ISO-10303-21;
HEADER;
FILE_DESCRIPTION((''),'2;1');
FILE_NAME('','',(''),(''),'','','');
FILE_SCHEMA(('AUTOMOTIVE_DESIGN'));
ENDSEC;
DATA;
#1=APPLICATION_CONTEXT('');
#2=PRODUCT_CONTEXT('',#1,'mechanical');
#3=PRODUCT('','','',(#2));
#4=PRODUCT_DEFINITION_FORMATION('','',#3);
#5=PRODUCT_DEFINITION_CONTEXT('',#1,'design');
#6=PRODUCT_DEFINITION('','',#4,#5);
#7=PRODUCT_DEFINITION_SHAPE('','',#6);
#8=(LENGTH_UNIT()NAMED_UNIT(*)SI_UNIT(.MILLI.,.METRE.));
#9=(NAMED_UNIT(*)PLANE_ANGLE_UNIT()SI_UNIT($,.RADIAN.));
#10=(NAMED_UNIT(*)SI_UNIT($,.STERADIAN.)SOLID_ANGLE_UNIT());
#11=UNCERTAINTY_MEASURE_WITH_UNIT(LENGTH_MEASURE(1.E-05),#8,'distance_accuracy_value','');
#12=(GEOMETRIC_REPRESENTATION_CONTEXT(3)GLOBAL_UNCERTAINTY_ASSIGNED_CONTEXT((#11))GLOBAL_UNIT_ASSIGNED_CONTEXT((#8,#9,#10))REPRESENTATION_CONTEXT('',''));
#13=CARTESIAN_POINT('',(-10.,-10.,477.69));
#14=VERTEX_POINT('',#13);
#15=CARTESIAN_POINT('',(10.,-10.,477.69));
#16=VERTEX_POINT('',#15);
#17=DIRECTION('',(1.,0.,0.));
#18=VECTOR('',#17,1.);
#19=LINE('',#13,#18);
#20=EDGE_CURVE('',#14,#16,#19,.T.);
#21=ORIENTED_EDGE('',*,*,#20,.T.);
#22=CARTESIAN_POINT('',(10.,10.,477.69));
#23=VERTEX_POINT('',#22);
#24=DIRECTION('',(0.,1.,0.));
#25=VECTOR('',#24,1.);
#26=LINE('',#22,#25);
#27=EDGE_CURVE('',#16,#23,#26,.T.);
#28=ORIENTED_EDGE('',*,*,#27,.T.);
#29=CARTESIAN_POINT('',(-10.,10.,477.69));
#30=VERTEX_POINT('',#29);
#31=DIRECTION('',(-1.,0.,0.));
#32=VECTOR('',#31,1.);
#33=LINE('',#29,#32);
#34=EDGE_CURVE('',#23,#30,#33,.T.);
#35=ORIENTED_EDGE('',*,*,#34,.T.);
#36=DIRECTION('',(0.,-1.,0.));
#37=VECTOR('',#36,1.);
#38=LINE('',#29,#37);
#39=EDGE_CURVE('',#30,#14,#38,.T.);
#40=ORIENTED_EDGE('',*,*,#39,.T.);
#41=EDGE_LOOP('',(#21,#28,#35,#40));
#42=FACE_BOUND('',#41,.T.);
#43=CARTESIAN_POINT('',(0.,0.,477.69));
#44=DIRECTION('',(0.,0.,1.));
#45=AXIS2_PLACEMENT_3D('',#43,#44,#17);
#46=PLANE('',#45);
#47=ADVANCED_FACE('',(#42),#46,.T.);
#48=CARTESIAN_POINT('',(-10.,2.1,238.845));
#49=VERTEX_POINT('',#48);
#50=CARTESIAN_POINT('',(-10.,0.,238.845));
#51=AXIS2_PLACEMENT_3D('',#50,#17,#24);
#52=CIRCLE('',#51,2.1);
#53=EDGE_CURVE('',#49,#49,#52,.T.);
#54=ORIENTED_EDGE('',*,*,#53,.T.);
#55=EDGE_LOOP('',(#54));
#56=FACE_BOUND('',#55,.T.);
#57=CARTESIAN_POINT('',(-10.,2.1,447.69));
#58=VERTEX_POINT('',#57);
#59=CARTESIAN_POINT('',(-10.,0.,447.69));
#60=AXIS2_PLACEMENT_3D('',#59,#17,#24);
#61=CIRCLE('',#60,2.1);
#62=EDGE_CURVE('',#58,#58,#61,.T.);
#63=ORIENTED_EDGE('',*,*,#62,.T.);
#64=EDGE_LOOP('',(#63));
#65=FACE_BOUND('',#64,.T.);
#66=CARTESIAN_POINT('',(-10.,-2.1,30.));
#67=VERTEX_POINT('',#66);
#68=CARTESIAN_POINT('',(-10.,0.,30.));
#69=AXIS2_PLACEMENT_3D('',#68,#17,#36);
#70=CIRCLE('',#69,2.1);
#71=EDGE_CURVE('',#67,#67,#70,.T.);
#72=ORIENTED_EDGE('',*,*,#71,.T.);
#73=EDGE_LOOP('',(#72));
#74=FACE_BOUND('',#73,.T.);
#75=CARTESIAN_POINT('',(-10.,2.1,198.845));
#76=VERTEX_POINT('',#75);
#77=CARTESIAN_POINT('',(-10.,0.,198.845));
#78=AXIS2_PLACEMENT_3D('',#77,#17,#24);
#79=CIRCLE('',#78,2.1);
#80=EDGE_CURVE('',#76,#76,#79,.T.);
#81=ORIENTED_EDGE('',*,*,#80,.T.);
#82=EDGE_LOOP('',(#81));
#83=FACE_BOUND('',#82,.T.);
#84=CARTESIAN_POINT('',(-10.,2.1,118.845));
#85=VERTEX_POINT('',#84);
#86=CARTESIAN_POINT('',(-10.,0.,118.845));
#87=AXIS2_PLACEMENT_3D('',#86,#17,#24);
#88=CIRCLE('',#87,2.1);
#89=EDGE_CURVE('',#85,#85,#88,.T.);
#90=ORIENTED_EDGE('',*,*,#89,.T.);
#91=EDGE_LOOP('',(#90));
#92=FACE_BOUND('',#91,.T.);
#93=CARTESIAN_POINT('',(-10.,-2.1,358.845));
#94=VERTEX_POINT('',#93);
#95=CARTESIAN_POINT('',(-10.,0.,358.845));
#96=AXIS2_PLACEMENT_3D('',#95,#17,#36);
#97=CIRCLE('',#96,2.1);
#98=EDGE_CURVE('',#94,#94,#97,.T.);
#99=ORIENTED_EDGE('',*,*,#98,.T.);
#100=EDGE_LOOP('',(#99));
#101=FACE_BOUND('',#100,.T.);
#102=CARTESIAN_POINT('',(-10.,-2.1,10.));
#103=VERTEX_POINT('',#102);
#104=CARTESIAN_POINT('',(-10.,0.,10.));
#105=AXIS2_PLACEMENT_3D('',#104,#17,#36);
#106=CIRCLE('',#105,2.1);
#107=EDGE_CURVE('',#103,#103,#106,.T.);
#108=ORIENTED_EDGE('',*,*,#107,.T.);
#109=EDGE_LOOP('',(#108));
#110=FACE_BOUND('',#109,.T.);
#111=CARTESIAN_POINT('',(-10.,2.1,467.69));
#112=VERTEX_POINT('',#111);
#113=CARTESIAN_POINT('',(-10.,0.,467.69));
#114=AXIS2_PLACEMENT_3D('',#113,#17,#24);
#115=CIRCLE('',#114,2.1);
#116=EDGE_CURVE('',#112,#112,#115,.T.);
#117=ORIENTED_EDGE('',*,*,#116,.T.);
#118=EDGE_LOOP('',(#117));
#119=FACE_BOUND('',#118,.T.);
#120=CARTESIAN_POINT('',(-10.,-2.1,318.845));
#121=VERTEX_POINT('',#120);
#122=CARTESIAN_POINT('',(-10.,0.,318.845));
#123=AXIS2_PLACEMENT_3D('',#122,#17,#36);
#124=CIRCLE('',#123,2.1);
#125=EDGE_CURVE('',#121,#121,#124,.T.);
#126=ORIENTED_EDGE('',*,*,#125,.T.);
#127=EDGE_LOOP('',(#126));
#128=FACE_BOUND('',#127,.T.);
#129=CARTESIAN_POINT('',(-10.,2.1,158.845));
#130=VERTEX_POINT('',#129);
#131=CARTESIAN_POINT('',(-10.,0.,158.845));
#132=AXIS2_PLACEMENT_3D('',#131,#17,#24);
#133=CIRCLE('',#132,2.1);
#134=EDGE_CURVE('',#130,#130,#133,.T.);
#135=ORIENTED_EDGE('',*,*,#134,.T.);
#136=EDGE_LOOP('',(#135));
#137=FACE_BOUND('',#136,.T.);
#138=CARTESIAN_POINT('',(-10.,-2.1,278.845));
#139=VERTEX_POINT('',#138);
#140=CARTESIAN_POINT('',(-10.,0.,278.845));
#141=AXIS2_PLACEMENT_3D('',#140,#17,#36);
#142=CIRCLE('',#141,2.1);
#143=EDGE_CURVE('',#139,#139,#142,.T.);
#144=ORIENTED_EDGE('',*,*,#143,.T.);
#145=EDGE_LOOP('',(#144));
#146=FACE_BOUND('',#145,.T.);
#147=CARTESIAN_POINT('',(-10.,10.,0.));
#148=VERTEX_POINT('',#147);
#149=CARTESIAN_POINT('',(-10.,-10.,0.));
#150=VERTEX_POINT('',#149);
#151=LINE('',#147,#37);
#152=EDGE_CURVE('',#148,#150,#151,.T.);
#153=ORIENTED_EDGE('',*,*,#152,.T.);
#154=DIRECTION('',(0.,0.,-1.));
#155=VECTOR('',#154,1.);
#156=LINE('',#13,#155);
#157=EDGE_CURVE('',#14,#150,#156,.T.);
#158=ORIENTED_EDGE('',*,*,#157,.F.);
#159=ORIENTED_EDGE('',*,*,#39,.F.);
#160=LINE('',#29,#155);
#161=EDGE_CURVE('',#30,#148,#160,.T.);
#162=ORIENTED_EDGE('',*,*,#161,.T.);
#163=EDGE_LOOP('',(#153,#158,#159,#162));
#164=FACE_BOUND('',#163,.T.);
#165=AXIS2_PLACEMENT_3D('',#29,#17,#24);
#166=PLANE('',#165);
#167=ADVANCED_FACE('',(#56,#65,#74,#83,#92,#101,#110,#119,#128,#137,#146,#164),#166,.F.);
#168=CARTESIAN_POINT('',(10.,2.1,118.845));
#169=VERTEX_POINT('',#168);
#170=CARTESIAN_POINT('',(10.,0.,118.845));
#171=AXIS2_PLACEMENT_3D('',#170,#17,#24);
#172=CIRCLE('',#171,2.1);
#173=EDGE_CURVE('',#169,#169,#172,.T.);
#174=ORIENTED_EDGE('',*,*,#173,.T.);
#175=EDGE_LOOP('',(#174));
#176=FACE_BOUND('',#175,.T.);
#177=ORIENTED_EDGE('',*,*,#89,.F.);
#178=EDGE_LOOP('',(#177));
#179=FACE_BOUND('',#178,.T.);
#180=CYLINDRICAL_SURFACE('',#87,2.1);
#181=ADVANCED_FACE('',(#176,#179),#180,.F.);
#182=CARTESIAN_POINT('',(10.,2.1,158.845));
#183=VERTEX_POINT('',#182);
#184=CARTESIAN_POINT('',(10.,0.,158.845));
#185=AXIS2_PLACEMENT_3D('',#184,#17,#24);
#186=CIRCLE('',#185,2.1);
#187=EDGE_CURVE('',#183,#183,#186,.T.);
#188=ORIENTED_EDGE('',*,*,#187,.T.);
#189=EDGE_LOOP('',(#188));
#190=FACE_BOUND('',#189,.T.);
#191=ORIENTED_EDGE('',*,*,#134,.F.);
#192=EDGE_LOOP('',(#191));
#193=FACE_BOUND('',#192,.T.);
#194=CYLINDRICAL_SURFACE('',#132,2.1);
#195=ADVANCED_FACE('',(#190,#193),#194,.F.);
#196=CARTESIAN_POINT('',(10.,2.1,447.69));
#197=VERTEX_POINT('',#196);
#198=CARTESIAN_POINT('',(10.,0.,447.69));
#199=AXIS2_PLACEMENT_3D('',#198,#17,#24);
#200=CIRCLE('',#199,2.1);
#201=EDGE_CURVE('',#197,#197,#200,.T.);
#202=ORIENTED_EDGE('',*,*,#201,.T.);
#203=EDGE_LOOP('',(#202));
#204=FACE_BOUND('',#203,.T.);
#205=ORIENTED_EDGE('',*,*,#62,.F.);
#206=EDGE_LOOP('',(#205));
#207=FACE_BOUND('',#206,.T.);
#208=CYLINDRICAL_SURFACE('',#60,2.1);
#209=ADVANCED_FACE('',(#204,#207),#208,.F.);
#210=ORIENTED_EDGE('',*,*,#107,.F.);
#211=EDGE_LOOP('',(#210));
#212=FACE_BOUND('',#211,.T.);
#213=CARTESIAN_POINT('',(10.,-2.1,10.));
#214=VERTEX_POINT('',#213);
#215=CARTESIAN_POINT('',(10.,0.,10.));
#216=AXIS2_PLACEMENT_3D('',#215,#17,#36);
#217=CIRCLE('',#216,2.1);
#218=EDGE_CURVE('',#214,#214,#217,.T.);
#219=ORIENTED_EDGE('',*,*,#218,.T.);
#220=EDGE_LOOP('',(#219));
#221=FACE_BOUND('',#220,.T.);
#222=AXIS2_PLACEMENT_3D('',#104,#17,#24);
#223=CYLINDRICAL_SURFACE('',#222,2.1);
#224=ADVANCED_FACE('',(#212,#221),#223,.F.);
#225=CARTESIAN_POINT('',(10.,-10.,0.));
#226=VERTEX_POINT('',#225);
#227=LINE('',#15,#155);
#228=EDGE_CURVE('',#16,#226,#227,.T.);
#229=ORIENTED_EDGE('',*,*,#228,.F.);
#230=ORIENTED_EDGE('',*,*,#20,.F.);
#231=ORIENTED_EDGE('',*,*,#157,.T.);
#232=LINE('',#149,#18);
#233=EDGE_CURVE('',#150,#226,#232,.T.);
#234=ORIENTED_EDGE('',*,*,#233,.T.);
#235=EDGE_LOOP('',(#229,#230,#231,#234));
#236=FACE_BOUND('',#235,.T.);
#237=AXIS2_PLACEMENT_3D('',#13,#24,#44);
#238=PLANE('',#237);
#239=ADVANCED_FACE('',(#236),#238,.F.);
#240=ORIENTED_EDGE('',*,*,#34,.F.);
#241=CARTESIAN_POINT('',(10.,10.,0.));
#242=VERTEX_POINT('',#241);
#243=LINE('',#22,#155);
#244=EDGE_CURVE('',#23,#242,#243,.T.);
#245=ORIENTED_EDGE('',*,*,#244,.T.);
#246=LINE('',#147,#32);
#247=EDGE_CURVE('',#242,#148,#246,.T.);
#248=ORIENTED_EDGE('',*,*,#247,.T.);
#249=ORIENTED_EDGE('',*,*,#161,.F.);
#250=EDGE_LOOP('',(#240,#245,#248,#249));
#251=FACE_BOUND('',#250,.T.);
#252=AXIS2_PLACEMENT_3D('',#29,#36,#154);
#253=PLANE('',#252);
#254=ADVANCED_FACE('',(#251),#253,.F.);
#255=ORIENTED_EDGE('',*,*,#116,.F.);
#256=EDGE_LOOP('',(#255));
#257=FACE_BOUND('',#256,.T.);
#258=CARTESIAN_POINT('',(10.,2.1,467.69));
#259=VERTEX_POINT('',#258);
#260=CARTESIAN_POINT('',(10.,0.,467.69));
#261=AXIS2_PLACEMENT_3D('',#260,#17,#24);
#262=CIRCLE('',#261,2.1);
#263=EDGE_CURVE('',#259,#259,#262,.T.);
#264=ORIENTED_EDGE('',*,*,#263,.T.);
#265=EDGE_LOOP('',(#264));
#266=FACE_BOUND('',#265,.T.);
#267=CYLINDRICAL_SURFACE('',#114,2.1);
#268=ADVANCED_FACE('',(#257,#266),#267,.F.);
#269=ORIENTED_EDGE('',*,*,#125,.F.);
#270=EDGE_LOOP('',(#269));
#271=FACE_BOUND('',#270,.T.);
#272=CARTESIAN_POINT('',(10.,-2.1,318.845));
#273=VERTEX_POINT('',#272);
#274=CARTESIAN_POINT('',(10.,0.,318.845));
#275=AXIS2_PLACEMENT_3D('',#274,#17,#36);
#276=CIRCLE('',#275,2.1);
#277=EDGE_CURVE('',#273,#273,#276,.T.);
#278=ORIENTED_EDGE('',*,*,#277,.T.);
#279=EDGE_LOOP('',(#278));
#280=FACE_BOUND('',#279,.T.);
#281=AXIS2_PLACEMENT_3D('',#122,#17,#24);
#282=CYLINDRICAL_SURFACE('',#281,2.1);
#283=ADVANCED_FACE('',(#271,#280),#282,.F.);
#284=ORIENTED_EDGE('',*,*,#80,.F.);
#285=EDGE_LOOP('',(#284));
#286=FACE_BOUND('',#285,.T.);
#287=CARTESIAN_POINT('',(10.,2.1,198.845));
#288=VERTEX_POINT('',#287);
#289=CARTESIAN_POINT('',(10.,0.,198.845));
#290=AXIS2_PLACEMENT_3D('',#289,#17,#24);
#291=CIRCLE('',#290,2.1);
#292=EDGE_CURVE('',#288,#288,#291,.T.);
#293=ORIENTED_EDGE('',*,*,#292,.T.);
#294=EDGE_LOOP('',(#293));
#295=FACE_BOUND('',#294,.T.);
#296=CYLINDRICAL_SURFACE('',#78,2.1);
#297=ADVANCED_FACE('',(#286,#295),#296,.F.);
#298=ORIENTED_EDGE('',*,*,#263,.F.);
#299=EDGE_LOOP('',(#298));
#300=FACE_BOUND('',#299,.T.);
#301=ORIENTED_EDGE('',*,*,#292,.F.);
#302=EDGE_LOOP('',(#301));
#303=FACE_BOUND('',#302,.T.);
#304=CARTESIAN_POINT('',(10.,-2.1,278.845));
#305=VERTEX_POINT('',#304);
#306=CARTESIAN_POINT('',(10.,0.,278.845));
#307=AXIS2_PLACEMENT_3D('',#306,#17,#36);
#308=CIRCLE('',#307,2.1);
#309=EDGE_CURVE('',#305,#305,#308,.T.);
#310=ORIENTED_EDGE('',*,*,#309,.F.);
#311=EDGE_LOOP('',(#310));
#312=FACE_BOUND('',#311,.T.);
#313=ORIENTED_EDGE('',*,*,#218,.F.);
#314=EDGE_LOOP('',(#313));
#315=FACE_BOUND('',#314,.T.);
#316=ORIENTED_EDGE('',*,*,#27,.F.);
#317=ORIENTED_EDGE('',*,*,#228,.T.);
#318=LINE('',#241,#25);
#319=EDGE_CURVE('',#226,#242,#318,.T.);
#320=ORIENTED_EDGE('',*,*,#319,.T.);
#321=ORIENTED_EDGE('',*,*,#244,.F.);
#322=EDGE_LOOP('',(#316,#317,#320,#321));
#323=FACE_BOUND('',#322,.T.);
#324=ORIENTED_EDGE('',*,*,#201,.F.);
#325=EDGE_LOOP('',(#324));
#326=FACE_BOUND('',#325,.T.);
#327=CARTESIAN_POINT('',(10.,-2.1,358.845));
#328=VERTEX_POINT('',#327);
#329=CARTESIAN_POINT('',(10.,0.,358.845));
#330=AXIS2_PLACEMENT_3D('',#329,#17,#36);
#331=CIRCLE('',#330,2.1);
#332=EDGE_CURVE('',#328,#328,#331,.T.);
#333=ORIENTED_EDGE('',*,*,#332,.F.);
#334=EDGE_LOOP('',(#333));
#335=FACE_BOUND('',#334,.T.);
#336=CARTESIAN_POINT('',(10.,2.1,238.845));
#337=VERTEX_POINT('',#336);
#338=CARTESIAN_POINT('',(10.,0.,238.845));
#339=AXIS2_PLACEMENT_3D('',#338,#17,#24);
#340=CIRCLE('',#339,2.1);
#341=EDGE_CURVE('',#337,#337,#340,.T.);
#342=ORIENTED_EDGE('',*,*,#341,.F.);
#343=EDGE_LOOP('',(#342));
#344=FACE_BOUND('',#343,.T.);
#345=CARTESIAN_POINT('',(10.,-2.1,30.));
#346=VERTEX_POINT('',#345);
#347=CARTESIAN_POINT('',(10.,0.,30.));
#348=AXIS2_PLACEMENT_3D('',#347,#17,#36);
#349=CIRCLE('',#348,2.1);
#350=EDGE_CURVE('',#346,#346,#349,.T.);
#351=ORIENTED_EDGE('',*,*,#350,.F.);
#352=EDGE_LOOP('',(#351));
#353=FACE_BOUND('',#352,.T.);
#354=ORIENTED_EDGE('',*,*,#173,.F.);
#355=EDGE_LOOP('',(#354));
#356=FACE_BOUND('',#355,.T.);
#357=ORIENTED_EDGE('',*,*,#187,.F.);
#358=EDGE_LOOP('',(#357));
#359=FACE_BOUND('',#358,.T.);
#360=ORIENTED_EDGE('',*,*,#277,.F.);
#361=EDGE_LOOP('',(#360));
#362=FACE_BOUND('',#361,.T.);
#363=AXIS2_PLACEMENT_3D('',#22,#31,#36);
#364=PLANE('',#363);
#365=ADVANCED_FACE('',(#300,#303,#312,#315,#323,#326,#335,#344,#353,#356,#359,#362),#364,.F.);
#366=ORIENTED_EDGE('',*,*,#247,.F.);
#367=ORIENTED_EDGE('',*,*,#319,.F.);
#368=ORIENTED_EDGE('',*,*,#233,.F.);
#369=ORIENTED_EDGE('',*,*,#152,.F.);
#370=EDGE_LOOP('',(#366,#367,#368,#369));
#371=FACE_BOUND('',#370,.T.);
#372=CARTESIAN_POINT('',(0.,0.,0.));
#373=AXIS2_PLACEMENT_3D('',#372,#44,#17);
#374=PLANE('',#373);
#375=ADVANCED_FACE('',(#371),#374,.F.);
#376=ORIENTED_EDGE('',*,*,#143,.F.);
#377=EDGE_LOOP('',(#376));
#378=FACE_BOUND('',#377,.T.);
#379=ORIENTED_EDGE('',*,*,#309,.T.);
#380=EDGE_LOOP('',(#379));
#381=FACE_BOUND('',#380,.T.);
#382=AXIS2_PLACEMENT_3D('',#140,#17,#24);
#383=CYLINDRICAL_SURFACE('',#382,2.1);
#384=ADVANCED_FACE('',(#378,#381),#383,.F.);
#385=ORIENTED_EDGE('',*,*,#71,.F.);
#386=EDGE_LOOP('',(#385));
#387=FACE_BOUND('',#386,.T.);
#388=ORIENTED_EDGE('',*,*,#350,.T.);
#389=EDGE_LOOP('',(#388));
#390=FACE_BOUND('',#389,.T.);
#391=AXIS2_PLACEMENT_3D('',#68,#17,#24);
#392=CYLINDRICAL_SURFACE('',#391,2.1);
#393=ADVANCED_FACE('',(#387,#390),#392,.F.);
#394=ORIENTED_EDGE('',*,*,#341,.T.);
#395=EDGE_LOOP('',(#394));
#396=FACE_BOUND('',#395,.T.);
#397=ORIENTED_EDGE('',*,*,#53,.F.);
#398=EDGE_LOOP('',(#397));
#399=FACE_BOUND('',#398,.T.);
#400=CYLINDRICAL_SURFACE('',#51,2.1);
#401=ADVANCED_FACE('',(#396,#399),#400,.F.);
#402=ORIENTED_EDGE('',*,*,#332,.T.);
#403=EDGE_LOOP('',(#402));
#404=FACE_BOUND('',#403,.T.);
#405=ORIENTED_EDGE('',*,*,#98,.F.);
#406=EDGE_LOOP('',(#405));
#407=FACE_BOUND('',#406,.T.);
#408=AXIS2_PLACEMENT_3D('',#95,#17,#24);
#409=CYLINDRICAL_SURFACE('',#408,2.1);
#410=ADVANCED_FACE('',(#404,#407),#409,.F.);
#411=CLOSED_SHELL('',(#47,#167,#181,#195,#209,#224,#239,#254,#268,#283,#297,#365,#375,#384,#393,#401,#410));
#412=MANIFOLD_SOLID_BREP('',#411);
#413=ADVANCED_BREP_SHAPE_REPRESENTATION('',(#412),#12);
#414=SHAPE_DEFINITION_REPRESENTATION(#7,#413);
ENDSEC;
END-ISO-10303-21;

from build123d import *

# Parameters (mm, degrees)
SKETCH_1_W          = 20
SKETCH_1_H          = 20
EXTRUDE_1_DEPTH     = 477.69
SKETCH_2_R          = 2.1
CUT_EXTRUDE_2_DEPTH = 479.213065589
SKETCH_3_R          = 2.1
CUT_EXTRUDE_3_DEPTH = 479.213065589


with BuildPart() as part:
    # 草图1 → 凸台-拉伸1 (new body)
    with BuildSketch(Plane.XY):
        Rectangle(SKETCH_1_W, SKETCH_1_H)
    extrude(amount=EXTRUDE_1_DEPTH)

    # 草图2 → 切除-拉伸2 (cut, through all)
    with BuildSketch(Plane(origin=(10, 0, 0), x_dir=(0, 0, -1), z_dir=(1, 0, 0))):
        with Locations(Location((-467.69, 0, 0), (0, 0, 90))):
            Circle(SKETCH_2_R)
        with Locations(Location((-447.69, 0, 0), (0, 0, 90))):
            Circle(SKETCH_2_R)
        with Locations(Location((-10, 0, 0), (0, 0, 270))):
            Circle(SKETCH_2_R)
        with Locations(Location((-30, 0, 0), (0, 0, 270))):
            Circle(SKETCH_2_R)
    extrude(amount=-CUT_EXTRUDE_2_DEPTH, mode=Mode.SUBTRACT)

    # 草图3 → 切除-拉伸3 (cut, through all)
    with BuildSketch(Plane(origin=(10, 0, 0), x_dir=(0, 0, -1), z_dir=(1, 0, 0))):
        with Locations(Location((-238.845, 0, 0), (0, 0, 90))):
            Circle(SKETCH_3_R)
        with Locations(Location((-198.845, 0, 0), (0, 0, 90))):
            Circle(SKETCH_3_R)
        with Locations(Location((-158.845, 0, 0), (0, 0, 90))):
            Circle(SKETCH_3_R)
        with Locations(Location((-118.845, 0, 0), (0, 0, 90))):
            Circle(SKETCH_3_R)
        with Locations(Location((-358.845, 0, 0), (0, 0, 270))):
            Circle(SKETCH_3_R)
        with Locations(Location((-318.845, 0, 0), (0, 0, 270))):
            Circle(SKETCH_3_R)
        with Locations(Location((-278.845, 0, 0), (0, 0, 270))):
            Circle(SKETCH_3_R)
    extrude(amount=-CUT_EXTRUDE_3_DEPTH, mode=Mode.SUBTRACT)


solid = part.part
